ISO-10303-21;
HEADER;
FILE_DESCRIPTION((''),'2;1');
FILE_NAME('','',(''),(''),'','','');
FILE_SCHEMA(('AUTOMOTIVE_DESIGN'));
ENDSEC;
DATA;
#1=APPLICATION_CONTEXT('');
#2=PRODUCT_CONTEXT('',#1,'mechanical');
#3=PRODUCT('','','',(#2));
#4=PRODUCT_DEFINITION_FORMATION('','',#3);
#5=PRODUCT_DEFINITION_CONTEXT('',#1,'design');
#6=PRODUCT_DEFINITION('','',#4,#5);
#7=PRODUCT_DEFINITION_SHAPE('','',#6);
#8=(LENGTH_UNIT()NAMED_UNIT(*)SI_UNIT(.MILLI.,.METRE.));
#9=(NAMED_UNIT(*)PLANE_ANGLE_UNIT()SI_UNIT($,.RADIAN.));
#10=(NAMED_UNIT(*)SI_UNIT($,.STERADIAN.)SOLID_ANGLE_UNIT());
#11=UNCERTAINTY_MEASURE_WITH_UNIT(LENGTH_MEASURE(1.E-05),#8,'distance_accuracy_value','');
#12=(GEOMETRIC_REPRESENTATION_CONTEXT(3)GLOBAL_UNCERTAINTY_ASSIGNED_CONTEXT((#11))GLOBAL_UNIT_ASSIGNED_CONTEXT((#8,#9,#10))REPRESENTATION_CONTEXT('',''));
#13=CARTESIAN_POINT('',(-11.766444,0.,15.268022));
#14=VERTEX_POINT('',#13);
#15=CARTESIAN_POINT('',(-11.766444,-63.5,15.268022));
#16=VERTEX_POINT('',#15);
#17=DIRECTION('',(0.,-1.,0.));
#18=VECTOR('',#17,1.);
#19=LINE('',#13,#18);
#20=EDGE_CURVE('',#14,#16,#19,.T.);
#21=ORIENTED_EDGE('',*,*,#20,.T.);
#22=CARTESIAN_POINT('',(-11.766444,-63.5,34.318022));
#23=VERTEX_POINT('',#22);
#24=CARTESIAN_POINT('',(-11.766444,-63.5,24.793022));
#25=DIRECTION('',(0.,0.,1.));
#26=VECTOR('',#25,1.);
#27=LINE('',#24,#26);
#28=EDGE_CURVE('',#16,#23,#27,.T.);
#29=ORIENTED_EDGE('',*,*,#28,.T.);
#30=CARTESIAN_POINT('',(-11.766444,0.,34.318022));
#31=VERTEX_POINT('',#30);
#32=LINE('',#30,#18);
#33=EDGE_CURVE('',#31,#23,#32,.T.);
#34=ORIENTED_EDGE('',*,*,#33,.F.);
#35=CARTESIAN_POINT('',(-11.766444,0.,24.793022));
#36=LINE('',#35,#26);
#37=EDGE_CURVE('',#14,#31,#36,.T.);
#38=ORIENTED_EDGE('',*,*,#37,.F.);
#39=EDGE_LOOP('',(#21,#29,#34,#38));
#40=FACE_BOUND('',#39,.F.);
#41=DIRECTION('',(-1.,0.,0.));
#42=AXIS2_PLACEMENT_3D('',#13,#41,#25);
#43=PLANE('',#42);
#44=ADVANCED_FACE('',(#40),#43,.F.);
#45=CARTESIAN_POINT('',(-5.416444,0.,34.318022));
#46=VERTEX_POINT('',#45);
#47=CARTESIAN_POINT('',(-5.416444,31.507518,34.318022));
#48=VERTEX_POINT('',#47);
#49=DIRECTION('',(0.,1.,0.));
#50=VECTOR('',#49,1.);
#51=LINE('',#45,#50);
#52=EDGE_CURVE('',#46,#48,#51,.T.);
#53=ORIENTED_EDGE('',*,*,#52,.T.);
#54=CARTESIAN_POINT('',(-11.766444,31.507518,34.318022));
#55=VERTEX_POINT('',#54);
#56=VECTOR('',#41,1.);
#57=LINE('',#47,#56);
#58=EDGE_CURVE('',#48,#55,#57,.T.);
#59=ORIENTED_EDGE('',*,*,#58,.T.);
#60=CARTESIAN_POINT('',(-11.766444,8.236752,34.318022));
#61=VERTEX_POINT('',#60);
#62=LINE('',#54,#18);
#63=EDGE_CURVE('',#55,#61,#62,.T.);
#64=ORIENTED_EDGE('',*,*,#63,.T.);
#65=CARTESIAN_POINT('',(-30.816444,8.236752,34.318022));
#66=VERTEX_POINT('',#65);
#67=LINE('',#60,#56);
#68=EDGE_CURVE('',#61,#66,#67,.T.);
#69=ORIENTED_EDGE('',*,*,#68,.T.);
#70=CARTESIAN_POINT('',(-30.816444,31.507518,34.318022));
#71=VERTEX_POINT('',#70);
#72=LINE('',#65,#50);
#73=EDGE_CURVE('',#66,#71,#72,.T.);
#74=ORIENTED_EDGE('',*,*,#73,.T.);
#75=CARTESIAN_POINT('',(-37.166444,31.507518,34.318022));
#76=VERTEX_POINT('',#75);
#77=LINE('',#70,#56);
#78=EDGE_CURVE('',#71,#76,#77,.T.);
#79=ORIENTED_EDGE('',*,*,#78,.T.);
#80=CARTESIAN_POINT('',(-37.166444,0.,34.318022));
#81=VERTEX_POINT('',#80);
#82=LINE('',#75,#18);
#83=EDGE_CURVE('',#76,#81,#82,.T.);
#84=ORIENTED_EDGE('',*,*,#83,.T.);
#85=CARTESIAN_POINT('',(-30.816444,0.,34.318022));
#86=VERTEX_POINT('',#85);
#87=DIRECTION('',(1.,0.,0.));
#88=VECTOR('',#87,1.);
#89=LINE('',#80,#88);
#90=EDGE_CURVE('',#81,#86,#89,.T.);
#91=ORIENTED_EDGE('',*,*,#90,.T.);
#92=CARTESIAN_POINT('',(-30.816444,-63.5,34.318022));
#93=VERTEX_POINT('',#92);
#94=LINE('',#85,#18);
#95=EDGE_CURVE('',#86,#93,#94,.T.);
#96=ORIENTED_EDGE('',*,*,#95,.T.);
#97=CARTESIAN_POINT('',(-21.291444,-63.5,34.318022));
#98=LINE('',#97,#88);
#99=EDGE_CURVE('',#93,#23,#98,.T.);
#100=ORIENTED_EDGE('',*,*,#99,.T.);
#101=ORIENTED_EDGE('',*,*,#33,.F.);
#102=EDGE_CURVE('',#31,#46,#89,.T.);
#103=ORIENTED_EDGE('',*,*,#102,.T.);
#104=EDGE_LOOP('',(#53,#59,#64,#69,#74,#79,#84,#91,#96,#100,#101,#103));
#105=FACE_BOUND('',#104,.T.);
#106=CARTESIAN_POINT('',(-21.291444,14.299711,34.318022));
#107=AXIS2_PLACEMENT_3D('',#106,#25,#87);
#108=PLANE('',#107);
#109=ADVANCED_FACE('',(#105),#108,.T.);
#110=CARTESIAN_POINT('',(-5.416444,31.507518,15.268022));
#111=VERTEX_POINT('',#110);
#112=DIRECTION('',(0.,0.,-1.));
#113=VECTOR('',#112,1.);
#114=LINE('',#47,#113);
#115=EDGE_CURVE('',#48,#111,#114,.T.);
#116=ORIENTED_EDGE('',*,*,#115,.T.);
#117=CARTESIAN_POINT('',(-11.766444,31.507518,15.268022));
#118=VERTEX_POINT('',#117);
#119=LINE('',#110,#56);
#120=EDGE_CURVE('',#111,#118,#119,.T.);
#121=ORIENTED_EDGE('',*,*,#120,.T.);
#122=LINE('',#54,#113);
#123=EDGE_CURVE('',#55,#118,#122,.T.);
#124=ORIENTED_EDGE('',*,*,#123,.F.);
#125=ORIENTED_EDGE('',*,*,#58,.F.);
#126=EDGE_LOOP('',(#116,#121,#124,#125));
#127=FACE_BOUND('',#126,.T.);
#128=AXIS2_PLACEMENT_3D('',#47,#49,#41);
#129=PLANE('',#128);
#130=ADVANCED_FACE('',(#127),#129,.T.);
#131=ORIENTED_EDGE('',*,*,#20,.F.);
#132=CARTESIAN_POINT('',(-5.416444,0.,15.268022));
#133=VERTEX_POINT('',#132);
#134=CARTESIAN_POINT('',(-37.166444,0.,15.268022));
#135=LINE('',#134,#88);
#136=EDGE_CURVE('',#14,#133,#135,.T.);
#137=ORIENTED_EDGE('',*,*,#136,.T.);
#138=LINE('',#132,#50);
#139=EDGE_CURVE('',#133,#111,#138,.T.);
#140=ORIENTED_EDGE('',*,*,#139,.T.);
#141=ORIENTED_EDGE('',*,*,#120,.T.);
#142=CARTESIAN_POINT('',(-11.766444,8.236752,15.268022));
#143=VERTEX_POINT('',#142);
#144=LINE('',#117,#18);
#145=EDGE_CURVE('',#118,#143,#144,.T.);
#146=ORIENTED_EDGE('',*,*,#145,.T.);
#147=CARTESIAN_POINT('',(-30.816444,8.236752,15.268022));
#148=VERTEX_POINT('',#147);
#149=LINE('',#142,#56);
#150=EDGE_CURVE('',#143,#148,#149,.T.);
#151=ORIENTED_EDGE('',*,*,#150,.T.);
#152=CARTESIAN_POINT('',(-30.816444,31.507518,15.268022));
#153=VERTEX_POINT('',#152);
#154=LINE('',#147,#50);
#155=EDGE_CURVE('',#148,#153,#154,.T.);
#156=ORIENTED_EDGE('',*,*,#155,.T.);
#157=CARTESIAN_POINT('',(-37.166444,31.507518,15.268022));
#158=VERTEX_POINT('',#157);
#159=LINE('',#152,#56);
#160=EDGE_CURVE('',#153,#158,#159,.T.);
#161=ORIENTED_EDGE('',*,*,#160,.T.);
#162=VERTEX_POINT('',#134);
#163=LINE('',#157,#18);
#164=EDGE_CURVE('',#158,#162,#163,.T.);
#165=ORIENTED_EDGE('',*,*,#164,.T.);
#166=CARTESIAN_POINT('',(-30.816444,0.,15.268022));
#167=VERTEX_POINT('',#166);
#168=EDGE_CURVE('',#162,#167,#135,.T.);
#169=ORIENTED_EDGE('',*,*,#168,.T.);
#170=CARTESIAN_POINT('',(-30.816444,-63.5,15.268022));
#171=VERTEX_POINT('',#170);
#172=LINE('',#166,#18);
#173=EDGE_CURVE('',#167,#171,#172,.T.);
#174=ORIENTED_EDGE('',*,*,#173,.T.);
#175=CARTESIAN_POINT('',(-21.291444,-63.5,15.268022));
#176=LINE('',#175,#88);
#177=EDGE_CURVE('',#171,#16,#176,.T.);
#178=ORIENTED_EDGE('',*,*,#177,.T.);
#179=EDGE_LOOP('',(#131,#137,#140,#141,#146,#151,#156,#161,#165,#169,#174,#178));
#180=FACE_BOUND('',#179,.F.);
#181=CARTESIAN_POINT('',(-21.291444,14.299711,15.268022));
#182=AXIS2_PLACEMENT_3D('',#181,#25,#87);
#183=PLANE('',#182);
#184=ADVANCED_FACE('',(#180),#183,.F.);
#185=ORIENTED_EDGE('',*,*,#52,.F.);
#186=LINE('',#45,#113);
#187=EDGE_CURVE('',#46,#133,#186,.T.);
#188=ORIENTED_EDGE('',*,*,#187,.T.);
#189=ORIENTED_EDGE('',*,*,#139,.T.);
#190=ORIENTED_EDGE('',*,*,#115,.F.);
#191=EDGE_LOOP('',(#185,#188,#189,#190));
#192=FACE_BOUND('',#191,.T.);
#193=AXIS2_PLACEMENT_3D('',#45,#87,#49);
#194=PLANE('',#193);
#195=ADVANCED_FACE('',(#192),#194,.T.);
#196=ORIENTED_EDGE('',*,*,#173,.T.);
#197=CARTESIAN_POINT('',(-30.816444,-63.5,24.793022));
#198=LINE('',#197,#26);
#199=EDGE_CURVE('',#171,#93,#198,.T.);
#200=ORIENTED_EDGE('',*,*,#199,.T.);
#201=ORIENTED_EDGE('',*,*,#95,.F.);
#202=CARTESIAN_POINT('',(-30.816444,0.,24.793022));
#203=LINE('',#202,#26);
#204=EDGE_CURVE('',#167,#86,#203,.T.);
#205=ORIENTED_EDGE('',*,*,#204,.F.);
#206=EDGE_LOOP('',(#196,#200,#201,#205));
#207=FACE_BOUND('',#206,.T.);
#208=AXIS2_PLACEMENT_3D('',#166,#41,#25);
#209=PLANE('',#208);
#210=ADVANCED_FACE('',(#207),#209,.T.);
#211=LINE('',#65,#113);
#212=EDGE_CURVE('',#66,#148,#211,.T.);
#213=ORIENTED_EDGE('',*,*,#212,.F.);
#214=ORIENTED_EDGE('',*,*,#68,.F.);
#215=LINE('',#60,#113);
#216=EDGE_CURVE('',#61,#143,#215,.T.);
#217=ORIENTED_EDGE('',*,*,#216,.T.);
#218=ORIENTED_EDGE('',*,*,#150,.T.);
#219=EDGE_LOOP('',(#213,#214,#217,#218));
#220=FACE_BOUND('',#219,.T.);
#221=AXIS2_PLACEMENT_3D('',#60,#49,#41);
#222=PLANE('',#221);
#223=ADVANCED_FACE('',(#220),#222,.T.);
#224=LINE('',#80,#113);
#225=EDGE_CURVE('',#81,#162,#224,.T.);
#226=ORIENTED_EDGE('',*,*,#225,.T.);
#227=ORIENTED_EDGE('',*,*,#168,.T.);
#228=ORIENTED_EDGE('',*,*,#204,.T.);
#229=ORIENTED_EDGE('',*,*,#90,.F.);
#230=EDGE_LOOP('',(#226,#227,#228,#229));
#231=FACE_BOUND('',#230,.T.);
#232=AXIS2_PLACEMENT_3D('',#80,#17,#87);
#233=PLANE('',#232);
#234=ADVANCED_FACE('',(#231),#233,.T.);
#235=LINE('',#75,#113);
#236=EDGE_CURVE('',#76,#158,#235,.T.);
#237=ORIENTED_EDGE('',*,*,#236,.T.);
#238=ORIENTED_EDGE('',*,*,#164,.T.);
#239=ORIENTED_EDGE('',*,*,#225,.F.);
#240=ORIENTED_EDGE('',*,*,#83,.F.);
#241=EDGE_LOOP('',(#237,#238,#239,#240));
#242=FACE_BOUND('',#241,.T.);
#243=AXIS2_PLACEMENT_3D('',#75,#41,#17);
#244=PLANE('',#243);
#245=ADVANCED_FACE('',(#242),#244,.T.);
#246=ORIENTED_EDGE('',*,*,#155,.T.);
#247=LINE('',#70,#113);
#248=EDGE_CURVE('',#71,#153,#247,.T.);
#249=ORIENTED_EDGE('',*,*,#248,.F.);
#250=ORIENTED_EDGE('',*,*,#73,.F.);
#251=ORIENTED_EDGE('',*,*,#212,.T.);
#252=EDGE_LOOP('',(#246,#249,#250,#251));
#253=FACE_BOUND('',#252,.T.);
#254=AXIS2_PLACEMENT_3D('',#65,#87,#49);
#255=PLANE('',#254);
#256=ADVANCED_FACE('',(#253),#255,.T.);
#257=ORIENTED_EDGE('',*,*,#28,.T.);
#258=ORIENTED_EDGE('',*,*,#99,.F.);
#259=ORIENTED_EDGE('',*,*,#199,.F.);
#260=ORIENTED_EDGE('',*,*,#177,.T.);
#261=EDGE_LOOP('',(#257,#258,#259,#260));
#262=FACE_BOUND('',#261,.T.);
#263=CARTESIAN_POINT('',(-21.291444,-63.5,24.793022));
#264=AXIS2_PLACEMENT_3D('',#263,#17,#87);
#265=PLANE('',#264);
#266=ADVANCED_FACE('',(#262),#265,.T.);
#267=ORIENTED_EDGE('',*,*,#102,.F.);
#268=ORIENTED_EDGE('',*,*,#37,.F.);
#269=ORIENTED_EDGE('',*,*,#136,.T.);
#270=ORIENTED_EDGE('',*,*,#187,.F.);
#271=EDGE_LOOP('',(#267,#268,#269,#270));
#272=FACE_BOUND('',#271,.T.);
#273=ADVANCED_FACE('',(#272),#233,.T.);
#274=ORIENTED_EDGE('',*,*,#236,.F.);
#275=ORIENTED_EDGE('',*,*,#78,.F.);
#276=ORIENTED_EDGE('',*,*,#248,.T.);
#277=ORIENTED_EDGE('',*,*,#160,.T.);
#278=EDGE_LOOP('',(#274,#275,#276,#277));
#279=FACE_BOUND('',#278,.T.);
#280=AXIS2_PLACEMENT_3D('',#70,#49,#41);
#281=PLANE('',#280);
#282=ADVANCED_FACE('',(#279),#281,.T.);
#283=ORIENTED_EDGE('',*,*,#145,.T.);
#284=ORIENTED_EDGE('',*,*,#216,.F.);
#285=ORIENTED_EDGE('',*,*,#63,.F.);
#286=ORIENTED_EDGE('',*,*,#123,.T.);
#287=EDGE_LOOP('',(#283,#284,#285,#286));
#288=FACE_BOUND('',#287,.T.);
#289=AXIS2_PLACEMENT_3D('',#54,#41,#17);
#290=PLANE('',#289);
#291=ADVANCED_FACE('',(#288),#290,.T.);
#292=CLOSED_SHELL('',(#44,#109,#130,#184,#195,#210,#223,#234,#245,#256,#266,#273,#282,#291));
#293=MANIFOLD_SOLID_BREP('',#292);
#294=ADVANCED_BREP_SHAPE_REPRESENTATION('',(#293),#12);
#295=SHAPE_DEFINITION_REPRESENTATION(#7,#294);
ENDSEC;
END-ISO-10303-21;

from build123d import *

# Parameters (mm, degrees)
F0_W     = 19.05
F0_H     = 19.05
F1_DEPTH = 63.5
F3_DEPTH = 19.05


with BuildPart() as f1:
    # F0 (on Front) → F1 (new body)
    with BuildSketch(Plane.XZ):
        with Locations((-21.291444, 24.793022)):
            Rectangle(F0_W, F0_H)
    extrude(amount=F1_DEPTH)

    # F2 (on face) → F3 (join)
    with BuildSketch(Plane.XY.offset(34.318022)):
        Polygon((-30.816444, 0), (-11.766444, 0), (-5.416444, 0), (-5.416444, 31.507518), (-11.766444, 31.507518), (-11.766444, 8.236752), (-30.816444, 8.236752), (-30.816444, 31.507518), (-37.166444, 31.507518), (-37.166444, 0), align=None)
    extrude(amount=-F3_DEPTH)


solid = f1.part
